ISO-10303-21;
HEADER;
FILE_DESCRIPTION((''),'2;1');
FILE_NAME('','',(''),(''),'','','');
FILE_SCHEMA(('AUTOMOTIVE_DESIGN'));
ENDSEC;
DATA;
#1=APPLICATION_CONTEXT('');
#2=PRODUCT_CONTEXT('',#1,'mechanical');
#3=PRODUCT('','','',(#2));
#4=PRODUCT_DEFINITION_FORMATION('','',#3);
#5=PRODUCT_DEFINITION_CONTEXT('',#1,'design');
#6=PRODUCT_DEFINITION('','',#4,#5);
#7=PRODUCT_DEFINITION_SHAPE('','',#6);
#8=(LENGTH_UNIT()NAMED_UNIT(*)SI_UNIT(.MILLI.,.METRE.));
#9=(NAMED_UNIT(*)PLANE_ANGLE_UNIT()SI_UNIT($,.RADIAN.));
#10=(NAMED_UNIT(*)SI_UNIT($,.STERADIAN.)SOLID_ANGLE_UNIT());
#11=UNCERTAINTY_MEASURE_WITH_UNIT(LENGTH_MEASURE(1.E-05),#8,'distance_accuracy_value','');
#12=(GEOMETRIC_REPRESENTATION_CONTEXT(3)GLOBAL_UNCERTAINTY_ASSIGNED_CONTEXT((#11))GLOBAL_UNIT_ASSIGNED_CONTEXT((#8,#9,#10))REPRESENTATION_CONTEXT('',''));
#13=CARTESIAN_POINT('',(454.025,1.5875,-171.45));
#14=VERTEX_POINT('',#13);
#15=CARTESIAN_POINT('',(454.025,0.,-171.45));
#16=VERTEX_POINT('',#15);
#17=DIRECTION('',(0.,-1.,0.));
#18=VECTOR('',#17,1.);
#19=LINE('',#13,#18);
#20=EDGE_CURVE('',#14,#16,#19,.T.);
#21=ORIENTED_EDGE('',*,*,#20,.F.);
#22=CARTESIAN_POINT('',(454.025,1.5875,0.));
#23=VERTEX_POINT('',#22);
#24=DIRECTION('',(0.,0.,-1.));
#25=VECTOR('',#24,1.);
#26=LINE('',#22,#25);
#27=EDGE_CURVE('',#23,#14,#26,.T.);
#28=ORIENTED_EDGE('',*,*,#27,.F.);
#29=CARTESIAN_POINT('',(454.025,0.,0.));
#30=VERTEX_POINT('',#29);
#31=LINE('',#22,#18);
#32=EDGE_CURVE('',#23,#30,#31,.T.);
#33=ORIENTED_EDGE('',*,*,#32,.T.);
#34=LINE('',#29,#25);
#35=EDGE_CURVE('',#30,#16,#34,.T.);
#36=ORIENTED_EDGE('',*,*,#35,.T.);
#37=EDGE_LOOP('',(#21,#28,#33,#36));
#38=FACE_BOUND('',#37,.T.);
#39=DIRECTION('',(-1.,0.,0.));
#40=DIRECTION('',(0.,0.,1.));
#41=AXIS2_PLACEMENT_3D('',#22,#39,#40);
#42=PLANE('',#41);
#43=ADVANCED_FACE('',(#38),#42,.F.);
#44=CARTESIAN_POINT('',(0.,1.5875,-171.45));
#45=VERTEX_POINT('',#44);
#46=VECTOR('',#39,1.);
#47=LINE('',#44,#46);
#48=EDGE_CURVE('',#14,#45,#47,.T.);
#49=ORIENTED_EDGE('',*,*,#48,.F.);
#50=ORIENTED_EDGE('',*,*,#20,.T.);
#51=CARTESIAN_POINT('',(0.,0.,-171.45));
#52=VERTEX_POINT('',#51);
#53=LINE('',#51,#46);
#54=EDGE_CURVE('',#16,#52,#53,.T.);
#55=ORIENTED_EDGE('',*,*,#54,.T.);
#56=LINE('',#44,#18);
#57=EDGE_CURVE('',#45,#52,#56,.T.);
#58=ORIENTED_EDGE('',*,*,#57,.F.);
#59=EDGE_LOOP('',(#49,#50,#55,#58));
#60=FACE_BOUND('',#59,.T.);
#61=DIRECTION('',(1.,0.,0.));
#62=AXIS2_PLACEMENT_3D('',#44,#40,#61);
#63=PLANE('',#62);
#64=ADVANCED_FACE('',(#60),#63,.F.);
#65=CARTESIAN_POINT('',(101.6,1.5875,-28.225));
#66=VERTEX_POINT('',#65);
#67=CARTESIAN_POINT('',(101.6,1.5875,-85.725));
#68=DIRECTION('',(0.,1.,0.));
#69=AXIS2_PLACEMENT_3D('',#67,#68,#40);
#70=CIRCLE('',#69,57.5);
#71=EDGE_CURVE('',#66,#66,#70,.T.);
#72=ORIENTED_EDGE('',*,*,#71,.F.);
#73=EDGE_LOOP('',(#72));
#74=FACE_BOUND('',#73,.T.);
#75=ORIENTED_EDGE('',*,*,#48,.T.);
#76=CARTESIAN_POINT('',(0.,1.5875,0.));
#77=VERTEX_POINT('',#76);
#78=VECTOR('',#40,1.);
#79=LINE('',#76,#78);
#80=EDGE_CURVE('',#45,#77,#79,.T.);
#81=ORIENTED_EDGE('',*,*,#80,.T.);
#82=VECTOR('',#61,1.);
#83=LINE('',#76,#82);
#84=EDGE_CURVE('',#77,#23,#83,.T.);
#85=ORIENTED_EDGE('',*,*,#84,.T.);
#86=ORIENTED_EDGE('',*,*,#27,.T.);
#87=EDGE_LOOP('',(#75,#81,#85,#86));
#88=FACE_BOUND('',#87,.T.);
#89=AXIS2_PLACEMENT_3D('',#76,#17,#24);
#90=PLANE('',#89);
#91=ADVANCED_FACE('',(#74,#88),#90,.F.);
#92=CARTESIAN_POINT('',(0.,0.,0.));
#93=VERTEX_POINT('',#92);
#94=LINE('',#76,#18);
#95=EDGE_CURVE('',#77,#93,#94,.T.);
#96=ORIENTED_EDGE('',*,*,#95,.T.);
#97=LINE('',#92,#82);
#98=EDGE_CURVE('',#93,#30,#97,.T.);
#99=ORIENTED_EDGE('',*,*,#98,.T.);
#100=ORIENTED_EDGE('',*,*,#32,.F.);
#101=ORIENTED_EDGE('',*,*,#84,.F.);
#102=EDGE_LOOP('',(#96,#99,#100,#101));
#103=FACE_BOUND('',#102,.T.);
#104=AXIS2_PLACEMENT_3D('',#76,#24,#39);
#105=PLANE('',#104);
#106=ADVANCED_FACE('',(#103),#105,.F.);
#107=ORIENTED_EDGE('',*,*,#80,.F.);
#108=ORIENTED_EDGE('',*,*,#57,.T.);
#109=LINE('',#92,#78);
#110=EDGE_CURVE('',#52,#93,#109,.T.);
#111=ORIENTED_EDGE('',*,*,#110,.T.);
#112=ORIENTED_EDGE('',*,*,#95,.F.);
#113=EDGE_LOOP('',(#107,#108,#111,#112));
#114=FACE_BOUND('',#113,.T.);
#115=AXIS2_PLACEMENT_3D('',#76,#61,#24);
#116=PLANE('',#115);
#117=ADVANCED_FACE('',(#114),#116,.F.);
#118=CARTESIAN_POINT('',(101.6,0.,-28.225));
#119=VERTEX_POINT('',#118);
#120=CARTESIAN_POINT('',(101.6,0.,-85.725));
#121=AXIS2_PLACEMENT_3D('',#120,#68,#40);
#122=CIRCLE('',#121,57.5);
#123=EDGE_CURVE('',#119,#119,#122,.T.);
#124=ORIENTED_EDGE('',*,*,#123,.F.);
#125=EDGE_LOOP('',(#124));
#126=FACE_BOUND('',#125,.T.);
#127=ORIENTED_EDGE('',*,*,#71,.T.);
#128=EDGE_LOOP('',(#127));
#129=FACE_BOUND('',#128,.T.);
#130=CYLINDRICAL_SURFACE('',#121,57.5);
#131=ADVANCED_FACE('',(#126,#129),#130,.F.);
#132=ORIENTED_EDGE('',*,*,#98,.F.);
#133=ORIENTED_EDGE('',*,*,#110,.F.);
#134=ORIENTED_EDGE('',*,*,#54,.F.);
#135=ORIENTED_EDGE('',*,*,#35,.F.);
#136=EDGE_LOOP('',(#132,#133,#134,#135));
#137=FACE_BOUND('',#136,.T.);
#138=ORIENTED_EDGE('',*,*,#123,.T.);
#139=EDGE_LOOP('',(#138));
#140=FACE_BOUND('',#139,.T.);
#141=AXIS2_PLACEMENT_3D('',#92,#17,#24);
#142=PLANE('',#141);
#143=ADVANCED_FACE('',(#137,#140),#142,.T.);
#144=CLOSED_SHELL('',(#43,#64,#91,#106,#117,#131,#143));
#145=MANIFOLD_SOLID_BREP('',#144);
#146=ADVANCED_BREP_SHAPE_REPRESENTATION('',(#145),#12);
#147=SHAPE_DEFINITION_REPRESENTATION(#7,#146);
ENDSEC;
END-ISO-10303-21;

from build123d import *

# Parameters (mm, degrees)
SKETCH1_W           = 454.025
SKETCH1_H           = 171.45
BOSS_EXTRUDE1_DEPTH = 1.5875
SKETCH7_R           = 57.5
CUT_EXTRUDE4_DEPTH  = 486.320845711


with BuildPart() as part:
    # Sketch1 → Boss-Extrude1 (new body)
    with BuildSketch(Plane(origin=(0, 0, 0), x_dir=(1, 0, 0), z_dir=(0, 1, 0))):
        with Locations((227.0125, 85.725)):
            Rectangle(SKETCH1_W, SKETCH1_H)
    extrude(amount=BOSS_EXTRUDE1_DEPTH)

    # Sketch7 → Cut-Extrude4 (cut, through all)
    with BuildSketch(Plane(origin=(0, 1.5875, 0), x_dir=(1, 0, 0), z_dir=(0, 1, 0))):
        with Locations(Location((101.6, 85.725, 0), (0, 0, 270))):
            Circle(SKETCH7_R)
    extrude(amount=-CUT_EXTRUDE4_DEPTH, mode=Mode.SUBTRACT)


solid = part.part
